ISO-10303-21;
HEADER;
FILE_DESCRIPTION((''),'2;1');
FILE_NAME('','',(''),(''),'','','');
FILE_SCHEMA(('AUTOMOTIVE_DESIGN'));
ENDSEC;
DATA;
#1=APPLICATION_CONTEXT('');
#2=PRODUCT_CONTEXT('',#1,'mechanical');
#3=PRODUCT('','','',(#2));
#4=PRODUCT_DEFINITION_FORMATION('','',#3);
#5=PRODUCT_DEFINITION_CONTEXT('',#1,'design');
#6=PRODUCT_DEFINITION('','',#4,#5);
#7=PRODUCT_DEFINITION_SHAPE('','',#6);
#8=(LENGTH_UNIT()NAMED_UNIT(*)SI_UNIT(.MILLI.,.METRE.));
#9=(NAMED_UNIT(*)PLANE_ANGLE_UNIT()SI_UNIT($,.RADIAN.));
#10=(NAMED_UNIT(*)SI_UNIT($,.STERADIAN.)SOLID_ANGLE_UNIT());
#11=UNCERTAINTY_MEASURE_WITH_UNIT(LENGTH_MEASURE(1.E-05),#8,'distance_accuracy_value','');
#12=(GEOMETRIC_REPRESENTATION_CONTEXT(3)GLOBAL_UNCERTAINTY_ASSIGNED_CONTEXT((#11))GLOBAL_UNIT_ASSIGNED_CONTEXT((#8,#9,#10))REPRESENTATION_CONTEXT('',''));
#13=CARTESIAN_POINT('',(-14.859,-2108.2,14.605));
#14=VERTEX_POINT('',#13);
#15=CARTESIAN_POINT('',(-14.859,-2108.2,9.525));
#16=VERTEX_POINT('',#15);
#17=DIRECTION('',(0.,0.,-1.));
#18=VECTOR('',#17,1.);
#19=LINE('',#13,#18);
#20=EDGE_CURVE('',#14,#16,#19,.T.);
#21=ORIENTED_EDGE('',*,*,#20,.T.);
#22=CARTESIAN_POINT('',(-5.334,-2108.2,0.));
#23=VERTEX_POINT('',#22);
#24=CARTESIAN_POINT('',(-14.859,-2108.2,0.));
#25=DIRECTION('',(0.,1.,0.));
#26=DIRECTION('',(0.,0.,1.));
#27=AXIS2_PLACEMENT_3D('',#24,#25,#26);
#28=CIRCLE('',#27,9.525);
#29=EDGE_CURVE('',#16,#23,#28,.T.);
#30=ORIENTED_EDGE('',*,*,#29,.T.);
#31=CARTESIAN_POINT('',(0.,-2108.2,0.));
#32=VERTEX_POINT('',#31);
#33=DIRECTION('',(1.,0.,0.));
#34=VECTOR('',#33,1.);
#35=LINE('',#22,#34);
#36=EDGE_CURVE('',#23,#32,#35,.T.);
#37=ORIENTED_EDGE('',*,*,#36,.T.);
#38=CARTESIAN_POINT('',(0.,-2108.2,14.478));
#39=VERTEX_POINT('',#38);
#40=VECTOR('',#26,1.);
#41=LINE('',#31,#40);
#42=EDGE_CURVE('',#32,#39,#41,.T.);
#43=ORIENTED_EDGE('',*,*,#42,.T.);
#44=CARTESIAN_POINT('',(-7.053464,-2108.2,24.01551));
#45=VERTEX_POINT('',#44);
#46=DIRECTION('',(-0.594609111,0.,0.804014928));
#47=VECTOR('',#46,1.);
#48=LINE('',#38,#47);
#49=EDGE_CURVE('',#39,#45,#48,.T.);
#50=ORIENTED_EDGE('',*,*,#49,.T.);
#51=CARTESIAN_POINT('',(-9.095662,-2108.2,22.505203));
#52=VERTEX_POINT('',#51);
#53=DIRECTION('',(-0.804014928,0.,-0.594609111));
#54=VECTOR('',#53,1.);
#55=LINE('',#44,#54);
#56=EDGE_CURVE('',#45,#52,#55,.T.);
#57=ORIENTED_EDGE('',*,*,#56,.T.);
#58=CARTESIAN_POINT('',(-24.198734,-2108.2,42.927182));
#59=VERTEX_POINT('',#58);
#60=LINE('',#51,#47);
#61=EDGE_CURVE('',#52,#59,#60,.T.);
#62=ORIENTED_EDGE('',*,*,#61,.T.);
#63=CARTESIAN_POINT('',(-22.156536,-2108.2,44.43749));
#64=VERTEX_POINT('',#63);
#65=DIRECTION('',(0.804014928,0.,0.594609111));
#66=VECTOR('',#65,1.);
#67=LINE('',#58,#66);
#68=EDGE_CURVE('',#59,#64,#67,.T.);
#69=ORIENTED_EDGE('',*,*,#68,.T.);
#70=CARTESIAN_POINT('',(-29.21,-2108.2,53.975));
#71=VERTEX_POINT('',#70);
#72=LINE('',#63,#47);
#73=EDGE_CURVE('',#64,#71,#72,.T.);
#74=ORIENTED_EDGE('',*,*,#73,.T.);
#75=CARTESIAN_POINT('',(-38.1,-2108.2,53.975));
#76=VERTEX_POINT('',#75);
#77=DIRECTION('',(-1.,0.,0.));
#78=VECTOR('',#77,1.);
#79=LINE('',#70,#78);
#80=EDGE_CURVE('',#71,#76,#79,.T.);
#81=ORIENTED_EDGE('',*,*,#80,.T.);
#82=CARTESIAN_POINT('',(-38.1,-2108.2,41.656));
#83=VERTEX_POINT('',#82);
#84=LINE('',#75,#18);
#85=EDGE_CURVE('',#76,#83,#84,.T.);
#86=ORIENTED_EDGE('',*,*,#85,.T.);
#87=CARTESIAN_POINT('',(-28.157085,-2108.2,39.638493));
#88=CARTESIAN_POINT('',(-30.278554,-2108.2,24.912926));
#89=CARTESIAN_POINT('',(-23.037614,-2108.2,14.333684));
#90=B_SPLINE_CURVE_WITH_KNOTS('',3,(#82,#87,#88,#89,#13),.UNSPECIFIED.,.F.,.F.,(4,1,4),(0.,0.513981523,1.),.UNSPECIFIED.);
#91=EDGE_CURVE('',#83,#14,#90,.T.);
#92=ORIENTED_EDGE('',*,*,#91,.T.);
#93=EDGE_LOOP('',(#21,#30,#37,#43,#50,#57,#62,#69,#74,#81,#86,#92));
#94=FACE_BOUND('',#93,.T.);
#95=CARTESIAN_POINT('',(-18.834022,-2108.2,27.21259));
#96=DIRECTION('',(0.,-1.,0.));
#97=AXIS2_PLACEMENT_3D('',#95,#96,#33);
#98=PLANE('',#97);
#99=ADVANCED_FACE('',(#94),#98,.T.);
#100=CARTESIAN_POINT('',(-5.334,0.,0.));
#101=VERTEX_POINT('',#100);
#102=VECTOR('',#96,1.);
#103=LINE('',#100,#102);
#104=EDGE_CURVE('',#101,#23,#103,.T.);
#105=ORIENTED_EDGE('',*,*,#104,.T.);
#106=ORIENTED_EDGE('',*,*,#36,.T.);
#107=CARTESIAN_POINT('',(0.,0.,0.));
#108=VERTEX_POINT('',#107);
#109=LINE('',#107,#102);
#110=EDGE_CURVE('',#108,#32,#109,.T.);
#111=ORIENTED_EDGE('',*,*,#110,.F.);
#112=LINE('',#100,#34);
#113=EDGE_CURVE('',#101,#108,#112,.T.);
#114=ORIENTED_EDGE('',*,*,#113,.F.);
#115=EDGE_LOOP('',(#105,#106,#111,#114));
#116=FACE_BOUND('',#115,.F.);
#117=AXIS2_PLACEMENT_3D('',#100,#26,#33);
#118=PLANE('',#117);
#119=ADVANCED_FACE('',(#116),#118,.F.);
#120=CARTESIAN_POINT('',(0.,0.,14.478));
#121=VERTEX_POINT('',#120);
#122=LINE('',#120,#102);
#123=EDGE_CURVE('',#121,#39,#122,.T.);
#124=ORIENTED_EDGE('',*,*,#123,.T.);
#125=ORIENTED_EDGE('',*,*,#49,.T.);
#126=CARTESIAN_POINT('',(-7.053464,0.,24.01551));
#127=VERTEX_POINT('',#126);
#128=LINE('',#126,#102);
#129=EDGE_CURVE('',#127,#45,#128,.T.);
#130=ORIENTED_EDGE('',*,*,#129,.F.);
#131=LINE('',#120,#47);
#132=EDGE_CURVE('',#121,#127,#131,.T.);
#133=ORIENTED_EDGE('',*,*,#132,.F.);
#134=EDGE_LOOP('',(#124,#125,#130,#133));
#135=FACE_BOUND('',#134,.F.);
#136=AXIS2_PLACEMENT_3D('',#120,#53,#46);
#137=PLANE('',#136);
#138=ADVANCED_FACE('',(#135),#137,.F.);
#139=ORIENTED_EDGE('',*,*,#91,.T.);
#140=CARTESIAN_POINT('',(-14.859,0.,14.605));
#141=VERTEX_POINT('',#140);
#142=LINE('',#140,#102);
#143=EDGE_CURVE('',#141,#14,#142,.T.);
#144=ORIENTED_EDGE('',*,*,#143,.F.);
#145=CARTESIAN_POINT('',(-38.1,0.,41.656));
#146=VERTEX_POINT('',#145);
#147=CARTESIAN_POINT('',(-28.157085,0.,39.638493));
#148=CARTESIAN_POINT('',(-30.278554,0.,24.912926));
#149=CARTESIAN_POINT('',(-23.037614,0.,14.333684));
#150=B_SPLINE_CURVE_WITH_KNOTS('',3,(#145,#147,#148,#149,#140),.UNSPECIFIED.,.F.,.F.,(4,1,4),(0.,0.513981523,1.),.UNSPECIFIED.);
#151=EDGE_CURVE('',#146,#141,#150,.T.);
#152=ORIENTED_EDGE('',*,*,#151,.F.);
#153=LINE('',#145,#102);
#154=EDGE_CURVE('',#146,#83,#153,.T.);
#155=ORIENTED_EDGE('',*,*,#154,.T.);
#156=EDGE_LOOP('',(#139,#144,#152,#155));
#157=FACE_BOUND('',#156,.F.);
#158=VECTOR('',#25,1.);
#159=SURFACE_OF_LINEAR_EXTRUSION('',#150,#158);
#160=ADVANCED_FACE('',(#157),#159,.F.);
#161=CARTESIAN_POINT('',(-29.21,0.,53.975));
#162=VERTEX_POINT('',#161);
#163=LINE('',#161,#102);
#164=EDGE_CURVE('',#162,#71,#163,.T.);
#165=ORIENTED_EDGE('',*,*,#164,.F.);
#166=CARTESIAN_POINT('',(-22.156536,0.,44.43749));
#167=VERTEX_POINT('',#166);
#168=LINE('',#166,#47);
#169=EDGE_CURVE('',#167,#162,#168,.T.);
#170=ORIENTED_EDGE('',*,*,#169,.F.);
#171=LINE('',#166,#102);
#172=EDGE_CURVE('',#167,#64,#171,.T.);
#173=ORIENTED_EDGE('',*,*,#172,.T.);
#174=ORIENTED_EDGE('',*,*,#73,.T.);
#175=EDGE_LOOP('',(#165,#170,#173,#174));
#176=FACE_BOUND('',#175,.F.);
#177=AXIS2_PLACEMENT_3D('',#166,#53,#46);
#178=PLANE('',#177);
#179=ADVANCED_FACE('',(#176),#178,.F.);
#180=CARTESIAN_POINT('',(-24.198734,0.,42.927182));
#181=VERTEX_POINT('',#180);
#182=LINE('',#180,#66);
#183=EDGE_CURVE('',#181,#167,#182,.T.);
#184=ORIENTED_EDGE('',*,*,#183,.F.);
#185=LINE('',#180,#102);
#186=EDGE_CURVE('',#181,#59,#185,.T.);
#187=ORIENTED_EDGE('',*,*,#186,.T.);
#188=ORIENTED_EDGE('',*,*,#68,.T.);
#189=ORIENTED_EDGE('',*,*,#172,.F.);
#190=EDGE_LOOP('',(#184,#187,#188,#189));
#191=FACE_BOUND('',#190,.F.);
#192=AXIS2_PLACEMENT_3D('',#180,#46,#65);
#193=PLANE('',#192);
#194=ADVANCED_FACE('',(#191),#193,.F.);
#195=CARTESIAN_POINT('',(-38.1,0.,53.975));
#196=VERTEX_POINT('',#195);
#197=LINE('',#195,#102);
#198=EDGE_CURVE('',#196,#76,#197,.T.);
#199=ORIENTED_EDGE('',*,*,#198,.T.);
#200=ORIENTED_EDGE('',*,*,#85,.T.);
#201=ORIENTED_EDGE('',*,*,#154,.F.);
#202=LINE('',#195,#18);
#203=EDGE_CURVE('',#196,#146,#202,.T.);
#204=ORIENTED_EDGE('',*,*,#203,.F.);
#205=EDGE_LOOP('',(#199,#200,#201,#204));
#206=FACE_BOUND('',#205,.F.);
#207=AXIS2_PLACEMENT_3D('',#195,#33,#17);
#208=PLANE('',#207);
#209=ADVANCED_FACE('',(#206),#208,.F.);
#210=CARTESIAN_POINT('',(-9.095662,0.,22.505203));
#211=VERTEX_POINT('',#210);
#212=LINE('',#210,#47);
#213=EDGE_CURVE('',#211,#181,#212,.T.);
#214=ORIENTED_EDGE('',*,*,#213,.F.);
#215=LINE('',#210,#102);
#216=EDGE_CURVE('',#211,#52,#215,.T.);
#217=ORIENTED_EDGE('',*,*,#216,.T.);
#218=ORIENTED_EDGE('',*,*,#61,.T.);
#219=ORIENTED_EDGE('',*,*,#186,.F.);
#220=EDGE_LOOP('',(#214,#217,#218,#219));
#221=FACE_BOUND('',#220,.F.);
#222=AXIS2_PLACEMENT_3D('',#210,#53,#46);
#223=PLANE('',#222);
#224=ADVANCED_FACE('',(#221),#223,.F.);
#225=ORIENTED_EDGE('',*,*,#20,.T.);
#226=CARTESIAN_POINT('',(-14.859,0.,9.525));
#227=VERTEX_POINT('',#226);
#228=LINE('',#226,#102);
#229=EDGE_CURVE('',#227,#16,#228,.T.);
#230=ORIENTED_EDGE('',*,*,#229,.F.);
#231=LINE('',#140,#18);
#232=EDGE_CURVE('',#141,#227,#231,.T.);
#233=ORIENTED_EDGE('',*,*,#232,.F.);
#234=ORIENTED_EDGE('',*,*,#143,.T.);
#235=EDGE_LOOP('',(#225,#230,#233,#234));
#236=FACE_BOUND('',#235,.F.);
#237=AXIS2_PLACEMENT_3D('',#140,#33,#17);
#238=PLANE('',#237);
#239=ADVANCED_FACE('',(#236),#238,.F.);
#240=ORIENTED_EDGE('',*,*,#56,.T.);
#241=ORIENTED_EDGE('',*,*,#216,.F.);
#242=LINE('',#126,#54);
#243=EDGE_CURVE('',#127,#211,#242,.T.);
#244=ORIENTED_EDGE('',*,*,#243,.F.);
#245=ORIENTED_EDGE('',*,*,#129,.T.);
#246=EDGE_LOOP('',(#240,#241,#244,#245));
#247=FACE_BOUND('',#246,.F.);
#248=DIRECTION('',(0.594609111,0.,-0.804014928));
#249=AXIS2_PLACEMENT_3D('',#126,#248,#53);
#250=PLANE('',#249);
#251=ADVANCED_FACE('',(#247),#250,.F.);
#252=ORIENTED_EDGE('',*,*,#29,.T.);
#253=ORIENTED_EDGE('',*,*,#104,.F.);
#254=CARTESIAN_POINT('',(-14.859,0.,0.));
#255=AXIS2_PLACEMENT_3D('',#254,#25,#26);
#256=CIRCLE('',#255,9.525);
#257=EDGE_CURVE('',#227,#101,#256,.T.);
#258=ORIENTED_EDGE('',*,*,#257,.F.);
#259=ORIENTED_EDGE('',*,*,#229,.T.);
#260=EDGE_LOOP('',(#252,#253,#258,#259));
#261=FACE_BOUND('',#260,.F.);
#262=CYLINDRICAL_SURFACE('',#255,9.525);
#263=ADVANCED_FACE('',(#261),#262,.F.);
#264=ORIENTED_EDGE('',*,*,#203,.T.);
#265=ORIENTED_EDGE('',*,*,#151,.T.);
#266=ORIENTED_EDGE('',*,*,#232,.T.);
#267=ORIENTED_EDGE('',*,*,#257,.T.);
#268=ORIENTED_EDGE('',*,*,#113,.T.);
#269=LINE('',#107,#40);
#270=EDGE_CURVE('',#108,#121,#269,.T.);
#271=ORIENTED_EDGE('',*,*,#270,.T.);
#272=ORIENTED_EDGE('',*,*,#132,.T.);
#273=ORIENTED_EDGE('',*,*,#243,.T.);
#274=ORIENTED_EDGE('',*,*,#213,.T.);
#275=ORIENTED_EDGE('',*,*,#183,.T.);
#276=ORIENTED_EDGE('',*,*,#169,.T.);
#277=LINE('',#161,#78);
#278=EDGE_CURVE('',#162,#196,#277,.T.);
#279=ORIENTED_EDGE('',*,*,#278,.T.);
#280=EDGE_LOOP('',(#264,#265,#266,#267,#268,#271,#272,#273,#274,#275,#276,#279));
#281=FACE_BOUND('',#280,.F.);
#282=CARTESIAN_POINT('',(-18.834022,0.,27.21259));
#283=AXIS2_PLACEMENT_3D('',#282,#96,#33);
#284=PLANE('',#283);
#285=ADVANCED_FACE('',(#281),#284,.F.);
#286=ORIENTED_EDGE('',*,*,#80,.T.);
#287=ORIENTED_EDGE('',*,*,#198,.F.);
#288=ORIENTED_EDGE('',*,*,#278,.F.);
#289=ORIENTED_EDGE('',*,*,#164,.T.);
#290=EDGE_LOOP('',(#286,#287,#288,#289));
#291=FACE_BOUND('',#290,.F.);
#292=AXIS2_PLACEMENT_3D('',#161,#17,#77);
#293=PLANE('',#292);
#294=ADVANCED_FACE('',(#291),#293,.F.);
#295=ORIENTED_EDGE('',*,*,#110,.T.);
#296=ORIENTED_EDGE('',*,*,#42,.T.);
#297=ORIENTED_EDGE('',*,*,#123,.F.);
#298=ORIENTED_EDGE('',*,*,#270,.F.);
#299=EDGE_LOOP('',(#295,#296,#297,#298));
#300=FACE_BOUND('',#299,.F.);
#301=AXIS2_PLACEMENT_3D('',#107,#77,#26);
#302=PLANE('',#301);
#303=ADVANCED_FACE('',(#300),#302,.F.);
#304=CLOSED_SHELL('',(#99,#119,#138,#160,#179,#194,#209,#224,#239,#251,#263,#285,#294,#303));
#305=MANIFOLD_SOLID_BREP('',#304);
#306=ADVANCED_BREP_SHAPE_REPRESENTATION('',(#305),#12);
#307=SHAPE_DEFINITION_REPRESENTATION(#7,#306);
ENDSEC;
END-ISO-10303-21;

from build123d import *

# Parameters (mm, degrees)
F1_DEPTH = 2108.2


with BuildPart() as f1:
    # F0 (on Front) → F1 (new body)
    with BuildSketch(Plane.XZ):
        with BuildLine():
            ThreePointArc((-14.859, 9.525), (-8.1238079092, 6.7351920908), (-5.334, 0))
            Line((-5.334, 0), (0, 0))
            Line((0, 0), (0, 14.478))
            Line((0, 14.478), (-7.0534642899, 24.0155104094))
            Line((-7.0534642899, 24.0155104094), (-9.095662208, 22.5052032674))
            Line((-9.095662208, 22.5052032674), (-24.1987336282, 42.9271824486))
            Line((-24.1987336282, 42.9271824486), (-22.1565357101, 44.4374895906))
            Line((-22.1565357101, 44.4374895906), (-29.21, 53.975))
            Line((-29.21, 53.975), (-38.1, 53.975))
            Line((-38.1, 53.975), (-38.1, 41.656))
            add(Edge.make_bspline(
                [(-38.1, 41.656), (-28.1570851803, 39.6384932101), (-30.2785540843, 24.9129260063), (-23.0376143008, 14.3336839974), (-14.859, 14.605)],
                knots=[0, 0, 0, 0, 0.513981523, 1, 1, 1, 1], degree=3))
            Line((-14.859, 14.605), (-14.859, 9.525))
        make_face()
    extrude(amount=F1_DEPTH)


solid = f1.part
